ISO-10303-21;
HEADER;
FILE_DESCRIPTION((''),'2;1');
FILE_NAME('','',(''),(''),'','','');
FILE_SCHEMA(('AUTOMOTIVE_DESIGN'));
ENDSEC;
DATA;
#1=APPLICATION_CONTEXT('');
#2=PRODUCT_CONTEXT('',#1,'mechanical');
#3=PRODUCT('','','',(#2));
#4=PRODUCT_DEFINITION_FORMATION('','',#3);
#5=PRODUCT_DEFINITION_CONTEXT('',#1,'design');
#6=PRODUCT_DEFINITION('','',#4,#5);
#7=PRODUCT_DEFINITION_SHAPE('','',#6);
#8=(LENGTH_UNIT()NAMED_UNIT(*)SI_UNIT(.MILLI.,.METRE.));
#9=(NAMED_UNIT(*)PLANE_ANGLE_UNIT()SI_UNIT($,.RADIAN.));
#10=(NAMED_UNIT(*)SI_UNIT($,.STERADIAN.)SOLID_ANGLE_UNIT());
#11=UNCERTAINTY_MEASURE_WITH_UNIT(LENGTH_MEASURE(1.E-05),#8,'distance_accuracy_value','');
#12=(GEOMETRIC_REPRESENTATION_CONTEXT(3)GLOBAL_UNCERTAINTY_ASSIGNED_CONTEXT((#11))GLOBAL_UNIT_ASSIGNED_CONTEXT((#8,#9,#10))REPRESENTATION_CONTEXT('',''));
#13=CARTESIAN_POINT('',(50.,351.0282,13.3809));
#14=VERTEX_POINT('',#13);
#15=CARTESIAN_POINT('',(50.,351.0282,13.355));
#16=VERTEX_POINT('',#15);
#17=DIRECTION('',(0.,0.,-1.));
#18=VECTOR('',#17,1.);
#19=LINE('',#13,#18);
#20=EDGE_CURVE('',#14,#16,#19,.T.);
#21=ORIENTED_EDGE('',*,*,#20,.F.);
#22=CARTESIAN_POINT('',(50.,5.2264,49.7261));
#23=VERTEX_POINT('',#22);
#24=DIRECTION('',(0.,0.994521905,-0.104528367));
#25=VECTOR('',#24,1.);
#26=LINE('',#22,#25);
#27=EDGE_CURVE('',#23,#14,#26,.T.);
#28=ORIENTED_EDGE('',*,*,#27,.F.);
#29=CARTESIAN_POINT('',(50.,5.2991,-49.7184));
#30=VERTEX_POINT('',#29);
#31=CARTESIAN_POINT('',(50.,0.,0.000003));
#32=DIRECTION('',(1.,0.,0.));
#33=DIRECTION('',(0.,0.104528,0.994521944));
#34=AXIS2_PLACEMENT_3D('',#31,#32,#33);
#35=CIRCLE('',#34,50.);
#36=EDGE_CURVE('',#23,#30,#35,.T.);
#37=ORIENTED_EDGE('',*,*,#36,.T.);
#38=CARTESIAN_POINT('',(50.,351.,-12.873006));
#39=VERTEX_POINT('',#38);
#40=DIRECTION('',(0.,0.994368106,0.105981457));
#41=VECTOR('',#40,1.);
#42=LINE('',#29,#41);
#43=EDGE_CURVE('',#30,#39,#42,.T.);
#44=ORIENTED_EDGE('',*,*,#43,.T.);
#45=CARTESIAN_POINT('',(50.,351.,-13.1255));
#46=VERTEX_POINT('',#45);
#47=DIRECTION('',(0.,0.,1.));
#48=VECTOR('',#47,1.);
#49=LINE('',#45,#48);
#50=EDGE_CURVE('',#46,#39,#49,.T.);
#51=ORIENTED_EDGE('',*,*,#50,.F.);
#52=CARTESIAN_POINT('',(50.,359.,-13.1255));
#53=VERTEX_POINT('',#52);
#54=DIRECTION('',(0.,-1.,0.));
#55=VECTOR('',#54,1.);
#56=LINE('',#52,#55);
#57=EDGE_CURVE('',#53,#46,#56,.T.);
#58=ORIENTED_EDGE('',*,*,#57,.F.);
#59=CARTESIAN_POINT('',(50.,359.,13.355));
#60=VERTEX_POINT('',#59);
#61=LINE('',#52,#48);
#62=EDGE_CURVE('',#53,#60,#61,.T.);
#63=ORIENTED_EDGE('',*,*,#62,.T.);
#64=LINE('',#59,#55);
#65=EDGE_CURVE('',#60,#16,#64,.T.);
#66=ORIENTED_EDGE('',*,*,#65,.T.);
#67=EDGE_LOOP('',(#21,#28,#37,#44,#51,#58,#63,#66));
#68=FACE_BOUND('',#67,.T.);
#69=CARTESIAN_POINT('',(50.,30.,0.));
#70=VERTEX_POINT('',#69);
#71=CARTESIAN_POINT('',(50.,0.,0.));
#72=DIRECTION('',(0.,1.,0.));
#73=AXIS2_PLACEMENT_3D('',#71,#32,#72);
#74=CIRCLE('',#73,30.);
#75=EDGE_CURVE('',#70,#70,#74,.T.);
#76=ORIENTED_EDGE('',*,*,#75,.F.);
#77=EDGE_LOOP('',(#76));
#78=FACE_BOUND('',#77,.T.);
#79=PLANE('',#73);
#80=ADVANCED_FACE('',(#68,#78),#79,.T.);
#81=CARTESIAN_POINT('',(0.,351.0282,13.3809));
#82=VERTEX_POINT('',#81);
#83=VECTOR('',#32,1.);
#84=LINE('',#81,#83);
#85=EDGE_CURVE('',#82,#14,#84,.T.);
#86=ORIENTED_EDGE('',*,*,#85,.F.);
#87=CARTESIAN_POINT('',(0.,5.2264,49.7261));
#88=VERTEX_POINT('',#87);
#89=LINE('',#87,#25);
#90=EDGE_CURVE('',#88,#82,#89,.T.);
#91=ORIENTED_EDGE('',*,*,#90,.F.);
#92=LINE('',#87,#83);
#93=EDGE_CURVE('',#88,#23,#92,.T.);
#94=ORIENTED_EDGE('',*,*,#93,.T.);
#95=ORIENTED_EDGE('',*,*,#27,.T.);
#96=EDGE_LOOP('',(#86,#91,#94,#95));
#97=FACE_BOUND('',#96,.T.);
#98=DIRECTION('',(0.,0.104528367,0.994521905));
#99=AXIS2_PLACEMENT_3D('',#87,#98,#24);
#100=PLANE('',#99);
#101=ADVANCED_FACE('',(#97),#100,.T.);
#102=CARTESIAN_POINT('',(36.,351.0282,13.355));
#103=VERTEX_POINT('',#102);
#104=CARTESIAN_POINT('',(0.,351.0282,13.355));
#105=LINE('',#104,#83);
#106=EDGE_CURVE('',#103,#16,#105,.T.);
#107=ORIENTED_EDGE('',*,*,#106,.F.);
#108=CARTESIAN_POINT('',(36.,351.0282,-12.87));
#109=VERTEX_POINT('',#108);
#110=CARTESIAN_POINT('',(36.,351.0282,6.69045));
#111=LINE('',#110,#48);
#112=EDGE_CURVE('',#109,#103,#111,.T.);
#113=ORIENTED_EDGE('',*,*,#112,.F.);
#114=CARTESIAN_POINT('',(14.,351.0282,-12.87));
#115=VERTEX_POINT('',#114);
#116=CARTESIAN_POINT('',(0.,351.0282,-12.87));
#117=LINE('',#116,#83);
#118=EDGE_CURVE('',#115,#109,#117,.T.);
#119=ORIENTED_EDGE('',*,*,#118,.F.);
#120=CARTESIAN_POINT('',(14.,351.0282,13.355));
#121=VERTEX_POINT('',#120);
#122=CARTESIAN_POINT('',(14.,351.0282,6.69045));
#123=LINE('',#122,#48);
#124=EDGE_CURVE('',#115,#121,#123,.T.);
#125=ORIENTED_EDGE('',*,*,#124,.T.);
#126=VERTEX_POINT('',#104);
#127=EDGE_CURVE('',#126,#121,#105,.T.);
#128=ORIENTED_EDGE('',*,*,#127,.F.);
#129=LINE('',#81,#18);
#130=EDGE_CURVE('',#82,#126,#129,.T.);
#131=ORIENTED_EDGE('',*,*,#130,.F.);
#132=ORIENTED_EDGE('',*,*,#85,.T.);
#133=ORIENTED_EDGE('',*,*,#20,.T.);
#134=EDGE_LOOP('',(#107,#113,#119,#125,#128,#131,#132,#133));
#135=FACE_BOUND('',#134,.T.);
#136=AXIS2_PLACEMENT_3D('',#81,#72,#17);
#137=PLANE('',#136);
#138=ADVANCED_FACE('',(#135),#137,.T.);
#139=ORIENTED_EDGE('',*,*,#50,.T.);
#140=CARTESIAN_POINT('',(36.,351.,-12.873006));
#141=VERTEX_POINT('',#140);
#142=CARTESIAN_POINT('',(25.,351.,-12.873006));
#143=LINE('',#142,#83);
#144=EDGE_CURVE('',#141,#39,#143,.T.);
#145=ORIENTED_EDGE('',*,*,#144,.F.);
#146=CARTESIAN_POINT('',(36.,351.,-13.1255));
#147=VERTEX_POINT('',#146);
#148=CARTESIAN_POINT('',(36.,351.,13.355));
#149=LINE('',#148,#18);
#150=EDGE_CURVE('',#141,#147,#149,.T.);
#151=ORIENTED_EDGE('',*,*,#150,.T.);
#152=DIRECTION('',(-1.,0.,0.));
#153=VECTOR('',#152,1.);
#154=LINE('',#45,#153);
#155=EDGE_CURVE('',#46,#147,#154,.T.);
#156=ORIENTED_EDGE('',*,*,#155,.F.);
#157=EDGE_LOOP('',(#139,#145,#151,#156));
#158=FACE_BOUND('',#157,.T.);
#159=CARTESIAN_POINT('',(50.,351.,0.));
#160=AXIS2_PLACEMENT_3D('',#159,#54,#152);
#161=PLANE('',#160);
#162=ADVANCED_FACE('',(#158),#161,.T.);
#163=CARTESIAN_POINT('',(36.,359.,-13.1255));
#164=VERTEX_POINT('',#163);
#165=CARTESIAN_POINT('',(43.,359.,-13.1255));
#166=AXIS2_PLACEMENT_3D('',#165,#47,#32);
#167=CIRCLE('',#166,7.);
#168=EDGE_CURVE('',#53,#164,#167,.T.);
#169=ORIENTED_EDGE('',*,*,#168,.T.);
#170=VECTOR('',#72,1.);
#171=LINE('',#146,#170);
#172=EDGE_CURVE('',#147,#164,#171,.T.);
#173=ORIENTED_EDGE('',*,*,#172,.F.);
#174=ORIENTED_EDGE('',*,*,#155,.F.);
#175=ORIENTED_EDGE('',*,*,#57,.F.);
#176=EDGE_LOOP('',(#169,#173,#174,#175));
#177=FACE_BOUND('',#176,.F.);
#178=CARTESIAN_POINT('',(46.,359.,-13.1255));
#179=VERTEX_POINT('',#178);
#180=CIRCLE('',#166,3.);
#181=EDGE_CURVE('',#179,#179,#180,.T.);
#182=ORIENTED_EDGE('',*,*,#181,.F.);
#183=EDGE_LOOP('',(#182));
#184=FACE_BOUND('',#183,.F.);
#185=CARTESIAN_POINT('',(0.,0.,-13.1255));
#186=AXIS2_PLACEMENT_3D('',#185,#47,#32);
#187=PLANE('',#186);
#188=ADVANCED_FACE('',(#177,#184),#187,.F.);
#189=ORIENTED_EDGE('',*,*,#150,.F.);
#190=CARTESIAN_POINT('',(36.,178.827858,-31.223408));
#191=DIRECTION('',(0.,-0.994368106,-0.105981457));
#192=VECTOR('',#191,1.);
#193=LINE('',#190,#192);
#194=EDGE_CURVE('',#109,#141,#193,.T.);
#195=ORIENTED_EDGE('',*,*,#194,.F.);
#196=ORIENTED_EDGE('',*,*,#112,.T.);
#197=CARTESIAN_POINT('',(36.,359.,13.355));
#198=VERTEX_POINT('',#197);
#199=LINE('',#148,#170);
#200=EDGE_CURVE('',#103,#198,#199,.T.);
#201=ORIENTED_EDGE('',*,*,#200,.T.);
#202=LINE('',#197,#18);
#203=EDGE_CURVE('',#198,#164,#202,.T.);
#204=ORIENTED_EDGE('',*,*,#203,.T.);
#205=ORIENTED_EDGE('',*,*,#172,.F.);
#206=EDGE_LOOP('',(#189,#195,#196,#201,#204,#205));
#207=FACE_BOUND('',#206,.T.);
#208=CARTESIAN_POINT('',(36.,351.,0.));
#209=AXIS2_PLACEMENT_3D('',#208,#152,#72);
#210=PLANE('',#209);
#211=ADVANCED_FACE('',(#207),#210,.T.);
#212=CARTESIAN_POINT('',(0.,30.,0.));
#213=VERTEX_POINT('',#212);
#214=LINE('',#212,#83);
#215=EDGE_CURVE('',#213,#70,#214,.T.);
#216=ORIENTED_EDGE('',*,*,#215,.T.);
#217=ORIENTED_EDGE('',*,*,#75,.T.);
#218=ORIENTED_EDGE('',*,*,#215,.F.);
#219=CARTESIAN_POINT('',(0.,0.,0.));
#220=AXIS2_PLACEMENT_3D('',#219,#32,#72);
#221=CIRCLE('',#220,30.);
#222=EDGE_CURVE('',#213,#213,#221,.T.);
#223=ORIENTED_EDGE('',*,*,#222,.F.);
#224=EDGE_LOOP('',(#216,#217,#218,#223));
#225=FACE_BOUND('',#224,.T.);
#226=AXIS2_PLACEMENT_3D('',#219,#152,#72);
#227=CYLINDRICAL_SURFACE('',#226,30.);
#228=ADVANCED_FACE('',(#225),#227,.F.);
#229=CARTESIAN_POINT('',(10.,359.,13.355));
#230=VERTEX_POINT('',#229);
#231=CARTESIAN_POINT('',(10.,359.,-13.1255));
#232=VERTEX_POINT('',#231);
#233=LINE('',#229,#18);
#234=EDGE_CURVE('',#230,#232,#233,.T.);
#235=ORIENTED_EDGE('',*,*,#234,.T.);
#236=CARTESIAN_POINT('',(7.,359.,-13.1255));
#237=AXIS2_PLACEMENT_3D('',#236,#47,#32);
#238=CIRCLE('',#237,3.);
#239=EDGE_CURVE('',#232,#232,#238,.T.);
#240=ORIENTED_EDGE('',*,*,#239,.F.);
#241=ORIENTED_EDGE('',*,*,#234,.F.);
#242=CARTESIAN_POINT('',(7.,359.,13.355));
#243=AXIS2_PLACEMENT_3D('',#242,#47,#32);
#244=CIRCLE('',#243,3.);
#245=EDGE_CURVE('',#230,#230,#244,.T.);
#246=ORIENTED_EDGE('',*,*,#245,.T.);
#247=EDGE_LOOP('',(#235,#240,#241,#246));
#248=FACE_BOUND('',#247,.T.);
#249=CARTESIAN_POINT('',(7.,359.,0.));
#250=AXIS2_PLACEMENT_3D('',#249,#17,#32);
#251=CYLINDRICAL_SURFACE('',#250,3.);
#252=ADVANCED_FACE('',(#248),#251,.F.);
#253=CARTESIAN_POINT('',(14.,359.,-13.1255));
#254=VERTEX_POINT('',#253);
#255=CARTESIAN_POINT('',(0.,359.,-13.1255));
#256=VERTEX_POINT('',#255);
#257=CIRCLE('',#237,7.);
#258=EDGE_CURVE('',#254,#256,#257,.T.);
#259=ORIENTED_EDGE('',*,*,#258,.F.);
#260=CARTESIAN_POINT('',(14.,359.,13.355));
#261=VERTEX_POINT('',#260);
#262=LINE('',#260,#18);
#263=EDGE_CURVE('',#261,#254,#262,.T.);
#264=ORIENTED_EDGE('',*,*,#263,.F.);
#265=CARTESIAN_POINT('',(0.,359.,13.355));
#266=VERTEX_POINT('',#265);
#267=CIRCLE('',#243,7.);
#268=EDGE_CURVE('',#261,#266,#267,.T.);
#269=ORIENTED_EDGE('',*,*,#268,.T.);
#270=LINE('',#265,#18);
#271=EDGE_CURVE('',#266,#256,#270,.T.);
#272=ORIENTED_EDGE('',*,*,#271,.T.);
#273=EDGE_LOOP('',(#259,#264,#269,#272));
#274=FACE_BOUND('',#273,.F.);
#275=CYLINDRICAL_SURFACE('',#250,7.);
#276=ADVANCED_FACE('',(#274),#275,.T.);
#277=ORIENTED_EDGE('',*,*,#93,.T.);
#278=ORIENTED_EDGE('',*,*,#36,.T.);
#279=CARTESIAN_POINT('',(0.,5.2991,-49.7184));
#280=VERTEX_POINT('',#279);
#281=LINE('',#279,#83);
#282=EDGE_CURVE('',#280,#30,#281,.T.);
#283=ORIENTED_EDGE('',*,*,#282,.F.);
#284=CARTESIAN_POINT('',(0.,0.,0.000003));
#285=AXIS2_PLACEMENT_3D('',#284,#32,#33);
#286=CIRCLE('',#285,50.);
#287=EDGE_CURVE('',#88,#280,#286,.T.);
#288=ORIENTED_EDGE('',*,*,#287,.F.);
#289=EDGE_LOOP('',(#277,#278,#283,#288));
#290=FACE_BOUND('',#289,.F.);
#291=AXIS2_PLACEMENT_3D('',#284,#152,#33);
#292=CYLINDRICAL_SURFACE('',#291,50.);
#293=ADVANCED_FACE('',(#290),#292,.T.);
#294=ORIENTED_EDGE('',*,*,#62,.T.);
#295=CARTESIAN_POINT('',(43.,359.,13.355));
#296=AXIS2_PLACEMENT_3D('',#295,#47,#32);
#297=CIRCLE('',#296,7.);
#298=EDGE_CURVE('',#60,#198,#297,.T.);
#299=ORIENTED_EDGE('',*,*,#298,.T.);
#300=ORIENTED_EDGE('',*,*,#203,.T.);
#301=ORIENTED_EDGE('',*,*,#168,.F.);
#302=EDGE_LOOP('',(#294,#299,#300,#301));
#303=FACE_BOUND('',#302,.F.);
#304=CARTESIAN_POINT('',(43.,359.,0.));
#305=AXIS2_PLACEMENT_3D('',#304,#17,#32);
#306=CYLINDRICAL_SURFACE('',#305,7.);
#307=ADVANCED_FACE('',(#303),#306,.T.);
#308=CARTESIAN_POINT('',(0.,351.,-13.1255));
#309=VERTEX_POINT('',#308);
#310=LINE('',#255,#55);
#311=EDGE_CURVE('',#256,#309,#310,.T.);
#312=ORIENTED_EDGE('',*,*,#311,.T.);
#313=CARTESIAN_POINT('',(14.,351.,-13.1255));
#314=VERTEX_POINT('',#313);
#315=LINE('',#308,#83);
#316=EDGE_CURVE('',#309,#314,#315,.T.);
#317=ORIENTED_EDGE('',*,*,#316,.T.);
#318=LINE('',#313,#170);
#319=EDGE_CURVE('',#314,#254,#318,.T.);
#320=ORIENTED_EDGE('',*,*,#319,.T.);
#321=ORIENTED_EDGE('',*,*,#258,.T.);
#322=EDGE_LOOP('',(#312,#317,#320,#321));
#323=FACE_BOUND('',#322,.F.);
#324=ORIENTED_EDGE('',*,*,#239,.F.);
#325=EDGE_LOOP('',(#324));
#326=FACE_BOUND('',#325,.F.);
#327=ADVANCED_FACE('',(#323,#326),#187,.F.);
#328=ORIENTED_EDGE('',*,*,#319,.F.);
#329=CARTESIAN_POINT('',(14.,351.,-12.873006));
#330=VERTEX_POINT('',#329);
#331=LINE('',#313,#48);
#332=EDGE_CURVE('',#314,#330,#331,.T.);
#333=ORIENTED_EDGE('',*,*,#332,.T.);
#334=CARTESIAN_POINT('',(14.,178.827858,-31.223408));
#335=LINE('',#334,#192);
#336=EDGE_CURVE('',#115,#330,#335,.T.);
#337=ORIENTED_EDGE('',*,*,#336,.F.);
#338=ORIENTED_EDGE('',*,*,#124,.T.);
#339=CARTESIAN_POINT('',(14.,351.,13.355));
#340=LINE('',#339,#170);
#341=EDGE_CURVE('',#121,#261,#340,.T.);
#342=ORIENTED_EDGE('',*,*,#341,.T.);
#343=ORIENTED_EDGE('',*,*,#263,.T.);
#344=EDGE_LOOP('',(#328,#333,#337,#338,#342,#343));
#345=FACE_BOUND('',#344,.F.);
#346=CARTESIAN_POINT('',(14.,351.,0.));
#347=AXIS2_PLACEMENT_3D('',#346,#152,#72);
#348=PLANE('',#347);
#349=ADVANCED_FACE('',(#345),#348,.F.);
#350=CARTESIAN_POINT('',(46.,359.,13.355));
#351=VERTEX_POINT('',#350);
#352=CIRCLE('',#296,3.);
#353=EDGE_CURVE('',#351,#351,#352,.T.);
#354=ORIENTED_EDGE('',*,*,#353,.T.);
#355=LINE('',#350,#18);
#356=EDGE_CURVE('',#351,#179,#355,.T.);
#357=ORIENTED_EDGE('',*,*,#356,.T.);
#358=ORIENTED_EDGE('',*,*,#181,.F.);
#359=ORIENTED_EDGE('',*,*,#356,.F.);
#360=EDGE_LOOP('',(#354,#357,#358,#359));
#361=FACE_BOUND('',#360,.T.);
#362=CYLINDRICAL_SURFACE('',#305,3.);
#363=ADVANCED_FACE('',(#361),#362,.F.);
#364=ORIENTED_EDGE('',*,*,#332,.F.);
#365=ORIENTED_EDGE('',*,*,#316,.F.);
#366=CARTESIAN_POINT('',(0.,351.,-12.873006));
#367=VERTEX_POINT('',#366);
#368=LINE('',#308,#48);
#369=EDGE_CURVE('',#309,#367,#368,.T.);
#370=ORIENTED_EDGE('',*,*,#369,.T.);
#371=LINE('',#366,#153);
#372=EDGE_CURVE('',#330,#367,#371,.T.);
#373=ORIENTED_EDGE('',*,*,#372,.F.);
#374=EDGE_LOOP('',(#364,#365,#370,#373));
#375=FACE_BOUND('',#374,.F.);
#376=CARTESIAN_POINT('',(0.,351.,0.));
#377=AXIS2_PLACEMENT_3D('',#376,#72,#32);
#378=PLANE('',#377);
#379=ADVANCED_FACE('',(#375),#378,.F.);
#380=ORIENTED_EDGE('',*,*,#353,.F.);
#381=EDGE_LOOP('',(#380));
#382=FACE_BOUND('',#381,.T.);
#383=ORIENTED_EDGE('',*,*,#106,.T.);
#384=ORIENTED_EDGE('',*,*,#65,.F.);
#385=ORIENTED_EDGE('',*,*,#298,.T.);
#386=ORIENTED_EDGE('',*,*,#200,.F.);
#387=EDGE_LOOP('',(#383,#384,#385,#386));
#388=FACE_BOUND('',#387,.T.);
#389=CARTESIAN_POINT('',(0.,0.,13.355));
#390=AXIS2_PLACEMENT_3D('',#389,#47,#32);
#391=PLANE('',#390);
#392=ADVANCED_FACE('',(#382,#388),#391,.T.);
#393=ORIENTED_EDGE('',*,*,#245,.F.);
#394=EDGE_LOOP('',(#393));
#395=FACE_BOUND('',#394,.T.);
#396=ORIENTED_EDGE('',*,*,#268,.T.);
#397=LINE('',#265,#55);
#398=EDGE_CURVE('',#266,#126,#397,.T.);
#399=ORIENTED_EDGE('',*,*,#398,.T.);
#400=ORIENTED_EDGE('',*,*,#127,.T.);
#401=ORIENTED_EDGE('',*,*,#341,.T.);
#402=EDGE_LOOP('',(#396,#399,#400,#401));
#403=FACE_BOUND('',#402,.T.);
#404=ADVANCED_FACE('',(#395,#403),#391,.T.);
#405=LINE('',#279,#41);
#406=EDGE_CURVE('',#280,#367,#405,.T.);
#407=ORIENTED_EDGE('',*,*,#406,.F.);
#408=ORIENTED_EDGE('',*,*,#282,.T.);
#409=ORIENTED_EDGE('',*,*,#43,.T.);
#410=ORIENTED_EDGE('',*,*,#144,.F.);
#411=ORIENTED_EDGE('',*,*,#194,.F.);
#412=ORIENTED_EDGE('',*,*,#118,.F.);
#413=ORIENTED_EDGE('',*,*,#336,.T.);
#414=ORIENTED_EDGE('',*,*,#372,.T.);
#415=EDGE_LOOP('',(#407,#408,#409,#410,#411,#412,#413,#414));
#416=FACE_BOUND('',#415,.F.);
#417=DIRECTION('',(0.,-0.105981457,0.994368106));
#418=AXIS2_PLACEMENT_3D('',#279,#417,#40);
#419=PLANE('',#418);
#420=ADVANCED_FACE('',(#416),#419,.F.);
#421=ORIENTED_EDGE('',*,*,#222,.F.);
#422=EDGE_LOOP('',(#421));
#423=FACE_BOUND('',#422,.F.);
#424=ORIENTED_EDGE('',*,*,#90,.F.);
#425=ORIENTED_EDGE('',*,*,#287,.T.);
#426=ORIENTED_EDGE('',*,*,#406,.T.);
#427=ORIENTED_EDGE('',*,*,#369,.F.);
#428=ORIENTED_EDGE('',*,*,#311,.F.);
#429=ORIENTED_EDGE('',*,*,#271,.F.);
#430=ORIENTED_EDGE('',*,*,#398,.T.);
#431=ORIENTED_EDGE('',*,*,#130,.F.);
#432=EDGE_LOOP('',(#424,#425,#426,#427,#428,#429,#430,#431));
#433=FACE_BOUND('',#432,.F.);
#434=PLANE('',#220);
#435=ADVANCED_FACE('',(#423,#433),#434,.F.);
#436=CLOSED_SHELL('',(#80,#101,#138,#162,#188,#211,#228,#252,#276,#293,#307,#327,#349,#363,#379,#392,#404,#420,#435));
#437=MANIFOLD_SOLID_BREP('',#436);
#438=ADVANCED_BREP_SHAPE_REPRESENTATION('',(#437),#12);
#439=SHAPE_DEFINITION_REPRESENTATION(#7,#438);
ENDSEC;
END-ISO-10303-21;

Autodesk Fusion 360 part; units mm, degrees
sketch "Sketch1" plane through (0, 0, 0) normal (1, 0, 0) x (0, 1, 0)
  circle A0 centre (0, 0) radius 30
  line L0 (5.2264, 49.7261) -> (351.0282, 13.3809)
  line L1 (5.2991, -49.7184) -> (351.0282, -12.87)
  line L2 (351.0282, 13.3809) -> (351.0282, -12.87)
  arc A1 (5.2264, 49.7261) -> (5.2991, -49.7184) centre (0, 0) ccw
  dimension "d1" = 100
  dimension "d2" = 60
extrude "Extrude1" add sketch "Sketch1" along normal blind 50
sketch "Sketch2" plane through (0, 0, 0) normal (0, 0, 1) x (1, 0, 0)
  line L0 (50, 351) -> (36, 351)
  line L1 (36, 351) -> (36, 359)
  line L2 (50, 359) -> (50, 351)
  circle A0 centre (43, 359) radius 3
  line L3 (0, 351) -> (14, 351)
  line L4 (14, 351) -> (14, 359)
  line L5 (0, 359) -> (0, 351)
  circle A1 centre (7, 359) radius 3
  arc A2 (50, 359) -> (36, 359) centre (43, 359) ccw
  arc A3 (14, 359) -> (0, 359) centre (7, 359) ccw
  dimension "d9" = 6
  dimension "d12" = 6
extrude "Extrude2" add sketch "Sketch2" along normal blind 13.355 and the other way blind 13.1255
equation "d13 = ( 26.71 / 2 ) * 1 mm"
equation "d15 = ( 26.251 / 2 ) * 1 mm"
